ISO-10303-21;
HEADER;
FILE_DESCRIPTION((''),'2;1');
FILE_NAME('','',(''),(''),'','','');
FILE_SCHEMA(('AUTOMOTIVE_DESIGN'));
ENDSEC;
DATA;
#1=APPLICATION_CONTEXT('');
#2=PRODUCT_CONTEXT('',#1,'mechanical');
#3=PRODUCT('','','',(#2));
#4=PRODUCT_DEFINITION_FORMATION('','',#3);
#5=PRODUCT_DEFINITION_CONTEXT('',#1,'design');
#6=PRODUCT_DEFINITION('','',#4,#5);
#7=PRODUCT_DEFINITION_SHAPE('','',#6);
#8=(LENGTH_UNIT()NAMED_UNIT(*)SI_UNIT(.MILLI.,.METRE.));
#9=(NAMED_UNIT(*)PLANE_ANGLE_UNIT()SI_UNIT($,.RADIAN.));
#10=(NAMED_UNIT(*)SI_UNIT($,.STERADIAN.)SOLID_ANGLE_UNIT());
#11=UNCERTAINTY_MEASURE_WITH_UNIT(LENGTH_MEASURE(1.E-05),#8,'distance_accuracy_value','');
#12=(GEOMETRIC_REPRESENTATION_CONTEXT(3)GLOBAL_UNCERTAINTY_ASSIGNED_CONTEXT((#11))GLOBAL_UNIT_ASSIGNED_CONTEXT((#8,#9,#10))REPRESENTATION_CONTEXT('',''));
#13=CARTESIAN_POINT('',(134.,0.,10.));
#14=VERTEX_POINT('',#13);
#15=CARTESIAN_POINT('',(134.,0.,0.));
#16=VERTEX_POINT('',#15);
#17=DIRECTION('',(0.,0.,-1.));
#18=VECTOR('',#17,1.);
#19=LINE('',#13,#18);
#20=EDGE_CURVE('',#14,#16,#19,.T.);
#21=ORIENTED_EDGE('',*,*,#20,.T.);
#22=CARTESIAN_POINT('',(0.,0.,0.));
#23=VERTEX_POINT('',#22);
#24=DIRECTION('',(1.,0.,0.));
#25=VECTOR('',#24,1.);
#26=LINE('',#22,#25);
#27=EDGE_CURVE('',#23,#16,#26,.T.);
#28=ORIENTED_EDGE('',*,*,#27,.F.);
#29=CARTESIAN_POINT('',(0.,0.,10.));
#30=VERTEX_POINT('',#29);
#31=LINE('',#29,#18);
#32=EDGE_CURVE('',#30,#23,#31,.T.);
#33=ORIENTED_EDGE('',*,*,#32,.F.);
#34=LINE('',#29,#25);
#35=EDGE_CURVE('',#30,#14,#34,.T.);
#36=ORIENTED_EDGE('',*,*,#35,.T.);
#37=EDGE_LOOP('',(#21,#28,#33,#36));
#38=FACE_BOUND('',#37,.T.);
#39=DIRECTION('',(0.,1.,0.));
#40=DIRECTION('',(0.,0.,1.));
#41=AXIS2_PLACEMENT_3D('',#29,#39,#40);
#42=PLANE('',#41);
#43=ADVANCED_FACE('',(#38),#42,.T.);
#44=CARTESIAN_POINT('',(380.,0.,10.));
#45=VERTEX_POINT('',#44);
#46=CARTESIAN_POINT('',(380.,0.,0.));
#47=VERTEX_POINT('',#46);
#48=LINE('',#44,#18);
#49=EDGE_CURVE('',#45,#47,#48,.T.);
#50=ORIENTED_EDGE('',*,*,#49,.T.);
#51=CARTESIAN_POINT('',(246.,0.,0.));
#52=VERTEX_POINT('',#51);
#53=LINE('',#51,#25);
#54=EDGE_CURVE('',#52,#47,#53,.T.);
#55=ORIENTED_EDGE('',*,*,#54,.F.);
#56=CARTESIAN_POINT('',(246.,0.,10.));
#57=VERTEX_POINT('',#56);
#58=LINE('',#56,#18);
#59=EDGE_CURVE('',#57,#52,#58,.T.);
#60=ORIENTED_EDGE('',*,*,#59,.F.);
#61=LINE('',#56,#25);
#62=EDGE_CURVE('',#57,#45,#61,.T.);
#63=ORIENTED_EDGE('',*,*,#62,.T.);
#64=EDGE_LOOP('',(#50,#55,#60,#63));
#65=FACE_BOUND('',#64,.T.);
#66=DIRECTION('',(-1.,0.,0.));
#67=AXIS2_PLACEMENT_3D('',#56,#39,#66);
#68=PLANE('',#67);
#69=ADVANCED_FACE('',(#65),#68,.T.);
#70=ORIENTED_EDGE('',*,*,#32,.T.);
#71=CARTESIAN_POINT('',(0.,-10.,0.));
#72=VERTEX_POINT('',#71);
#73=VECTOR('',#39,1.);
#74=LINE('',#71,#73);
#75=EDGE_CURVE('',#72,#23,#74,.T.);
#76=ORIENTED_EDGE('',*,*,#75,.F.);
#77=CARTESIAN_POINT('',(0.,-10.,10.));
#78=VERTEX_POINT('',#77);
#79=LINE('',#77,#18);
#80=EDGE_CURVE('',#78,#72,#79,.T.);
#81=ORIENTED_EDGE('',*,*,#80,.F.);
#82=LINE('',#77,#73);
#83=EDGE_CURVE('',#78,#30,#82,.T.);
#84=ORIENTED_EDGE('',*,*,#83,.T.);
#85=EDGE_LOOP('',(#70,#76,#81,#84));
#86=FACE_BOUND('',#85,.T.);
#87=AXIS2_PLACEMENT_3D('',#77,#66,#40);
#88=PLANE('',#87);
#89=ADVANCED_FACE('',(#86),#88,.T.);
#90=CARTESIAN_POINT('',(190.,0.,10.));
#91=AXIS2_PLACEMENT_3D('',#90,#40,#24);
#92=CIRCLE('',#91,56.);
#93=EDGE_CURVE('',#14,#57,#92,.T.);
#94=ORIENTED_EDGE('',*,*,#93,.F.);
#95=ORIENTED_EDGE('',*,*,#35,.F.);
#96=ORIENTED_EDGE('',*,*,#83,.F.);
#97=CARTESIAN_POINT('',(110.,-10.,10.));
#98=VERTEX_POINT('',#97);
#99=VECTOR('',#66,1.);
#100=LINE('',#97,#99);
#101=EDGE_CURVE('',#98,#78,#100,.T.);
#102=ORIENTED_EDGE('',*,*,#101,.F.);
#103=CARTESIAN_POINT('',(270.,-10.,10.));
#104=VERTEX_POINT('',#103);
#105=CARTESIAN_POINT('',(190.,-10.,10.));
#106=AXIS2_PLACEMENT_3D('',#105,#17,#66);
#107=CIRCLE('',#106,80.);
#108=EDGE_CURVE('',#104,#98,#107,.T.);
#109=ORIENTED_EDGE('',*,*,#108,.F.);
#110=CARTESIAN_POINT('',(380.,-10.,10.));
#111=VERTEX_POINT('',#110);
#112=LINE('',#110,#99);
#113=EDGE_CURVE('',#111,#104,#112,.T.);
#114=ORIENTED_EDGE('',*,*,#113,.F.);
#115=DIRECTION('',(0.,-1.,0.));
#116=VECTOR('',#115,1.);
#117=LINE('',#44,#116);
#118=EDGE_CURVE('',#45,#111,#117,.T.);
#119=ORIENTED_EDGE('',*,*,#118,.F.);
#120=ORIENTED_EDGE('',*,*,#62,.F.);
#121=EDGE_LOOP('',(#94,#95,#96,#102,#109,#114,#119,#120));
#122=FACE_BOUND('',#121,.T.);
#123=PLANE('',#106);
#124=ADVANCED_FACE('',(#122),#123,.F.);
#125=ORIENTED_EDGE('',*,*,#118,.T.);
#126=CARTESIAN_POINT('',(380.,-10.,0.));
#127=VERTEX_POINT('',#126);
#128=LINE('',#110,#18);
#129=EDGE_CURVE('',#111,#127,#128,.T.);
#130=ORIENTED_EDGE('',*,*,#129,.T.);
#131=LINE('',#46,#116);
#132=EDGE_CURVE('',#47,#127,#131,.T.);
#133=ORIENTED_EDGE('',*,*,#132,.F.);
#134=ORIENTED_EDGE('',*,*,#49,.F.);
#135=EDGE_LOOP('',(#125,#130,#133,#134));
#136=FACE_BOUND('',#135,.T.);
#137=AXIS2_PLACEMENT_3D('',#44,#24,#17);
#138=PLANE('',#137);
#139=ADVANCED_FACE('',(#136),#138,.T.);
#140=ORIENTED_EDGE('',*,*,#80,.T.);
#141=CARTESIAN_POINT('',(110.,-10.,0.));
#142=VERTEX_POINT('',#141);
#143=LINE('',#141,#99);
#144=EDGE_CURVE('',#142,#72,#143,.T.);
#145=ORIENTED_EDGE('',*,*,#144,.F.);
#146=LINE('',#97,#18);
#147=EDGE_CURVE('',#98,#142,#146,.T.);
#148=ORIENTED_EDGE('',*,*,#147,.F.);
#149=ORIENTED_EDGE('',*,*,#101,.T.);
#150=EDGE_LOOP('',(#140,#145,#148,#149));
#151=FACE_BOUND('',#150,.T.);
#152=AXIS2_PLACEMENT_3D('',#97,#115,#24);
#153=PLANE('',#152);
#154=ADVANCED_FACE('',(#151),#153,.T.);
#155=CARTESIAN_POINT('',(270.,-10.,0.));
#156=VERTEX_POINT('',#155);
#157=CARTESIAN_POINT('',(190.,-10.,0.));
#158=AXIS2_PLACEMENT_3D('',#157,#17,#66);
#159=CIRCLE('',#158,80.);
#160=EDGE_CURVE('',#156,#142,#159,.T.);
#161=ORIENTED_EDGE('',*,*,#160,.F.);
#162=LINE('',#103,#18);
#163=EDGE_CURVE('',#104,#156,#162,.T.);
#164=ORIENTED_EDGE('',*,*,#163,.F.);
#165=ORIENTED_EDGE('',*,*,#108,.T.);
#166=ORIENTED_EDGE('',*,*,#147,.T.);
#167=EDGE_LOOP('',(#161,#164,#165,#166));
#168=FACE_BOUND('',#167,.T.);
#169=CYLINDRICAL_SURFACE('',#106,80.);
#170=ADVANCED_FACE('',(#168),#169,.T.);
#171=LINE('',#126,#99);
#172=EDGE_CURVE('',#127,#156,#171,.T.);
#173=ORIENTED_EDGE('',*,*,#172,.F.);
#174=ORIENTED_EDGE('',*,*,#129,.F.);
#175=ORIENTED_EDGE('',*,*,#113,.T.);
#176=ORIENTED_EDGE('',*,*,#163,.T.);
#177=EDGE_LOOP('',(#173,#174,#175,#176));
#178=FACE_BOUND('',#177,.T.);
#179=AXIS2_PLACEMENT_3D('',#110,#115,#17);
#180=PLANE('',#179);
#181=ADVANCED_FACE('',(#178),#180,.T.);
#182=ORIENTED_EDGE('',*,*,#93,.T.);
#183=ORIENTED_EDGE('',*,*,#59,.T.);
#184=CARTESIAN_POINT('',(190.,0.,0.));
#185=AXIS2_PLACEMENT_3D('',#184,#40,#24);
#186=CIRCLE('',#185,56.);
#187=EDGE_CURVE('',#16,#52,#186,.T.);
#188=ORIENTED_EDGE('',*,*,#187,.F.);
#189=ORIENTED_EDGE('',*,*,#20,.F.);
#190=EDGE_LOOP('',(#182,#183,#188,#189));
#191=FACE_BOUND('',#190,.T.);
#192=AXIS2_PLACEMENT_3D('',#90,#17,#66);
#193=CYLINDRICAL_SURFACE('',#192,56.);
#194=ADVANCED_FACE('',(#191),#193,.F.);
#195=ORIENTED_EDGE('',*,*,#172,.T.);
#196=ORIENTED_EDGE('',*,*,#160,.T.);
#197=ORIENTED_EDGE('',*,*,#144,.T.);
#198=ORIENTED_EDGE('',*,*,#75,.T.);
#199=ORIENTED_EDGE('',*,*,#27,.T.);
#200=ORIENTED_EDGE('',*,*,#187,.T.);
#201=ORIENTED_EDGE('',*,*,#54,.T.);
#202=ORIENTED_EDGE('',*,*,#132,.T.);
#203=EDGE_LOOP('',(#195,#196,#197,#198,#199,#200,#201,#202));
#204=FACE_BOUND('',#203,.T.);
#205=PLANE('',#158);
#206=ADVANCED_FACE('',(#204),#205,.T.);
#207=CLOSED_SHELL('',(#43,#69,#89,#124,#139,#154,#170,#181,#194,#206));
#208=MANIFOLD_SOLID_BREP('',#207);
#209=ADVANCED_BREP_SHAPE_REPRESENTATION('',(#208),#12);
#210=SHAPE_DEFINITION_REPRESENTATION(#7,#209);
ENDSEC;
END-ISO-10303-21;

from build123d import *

# Parameters (mm, degrees)
BOSS_EXTRU_1_DEPTH = 10


with BuildPart() as part:
    # Esquisse1 → Boss.-Extru.1 (new body)
    with BuildSketch(Plane.XY):
        with BuildLine():
            Line((0, 0), (134, 0))
            ThreePointArc((134, 0), (190, -56), (246, 0))
            Line((246, 0), (380, 0))
            Line((380, 0), (380, -10))
            Line((380, -10), (270, -10))
            ThreePointArc((270, -10), (190, -90), (110, -10))
            Line((110, -10), (0, -10))
            Line((0, -10), (0, 0))
        make_face()
    extrude(amount=BOSS_EXTRU_1_DEPTH)


solid = part.part
